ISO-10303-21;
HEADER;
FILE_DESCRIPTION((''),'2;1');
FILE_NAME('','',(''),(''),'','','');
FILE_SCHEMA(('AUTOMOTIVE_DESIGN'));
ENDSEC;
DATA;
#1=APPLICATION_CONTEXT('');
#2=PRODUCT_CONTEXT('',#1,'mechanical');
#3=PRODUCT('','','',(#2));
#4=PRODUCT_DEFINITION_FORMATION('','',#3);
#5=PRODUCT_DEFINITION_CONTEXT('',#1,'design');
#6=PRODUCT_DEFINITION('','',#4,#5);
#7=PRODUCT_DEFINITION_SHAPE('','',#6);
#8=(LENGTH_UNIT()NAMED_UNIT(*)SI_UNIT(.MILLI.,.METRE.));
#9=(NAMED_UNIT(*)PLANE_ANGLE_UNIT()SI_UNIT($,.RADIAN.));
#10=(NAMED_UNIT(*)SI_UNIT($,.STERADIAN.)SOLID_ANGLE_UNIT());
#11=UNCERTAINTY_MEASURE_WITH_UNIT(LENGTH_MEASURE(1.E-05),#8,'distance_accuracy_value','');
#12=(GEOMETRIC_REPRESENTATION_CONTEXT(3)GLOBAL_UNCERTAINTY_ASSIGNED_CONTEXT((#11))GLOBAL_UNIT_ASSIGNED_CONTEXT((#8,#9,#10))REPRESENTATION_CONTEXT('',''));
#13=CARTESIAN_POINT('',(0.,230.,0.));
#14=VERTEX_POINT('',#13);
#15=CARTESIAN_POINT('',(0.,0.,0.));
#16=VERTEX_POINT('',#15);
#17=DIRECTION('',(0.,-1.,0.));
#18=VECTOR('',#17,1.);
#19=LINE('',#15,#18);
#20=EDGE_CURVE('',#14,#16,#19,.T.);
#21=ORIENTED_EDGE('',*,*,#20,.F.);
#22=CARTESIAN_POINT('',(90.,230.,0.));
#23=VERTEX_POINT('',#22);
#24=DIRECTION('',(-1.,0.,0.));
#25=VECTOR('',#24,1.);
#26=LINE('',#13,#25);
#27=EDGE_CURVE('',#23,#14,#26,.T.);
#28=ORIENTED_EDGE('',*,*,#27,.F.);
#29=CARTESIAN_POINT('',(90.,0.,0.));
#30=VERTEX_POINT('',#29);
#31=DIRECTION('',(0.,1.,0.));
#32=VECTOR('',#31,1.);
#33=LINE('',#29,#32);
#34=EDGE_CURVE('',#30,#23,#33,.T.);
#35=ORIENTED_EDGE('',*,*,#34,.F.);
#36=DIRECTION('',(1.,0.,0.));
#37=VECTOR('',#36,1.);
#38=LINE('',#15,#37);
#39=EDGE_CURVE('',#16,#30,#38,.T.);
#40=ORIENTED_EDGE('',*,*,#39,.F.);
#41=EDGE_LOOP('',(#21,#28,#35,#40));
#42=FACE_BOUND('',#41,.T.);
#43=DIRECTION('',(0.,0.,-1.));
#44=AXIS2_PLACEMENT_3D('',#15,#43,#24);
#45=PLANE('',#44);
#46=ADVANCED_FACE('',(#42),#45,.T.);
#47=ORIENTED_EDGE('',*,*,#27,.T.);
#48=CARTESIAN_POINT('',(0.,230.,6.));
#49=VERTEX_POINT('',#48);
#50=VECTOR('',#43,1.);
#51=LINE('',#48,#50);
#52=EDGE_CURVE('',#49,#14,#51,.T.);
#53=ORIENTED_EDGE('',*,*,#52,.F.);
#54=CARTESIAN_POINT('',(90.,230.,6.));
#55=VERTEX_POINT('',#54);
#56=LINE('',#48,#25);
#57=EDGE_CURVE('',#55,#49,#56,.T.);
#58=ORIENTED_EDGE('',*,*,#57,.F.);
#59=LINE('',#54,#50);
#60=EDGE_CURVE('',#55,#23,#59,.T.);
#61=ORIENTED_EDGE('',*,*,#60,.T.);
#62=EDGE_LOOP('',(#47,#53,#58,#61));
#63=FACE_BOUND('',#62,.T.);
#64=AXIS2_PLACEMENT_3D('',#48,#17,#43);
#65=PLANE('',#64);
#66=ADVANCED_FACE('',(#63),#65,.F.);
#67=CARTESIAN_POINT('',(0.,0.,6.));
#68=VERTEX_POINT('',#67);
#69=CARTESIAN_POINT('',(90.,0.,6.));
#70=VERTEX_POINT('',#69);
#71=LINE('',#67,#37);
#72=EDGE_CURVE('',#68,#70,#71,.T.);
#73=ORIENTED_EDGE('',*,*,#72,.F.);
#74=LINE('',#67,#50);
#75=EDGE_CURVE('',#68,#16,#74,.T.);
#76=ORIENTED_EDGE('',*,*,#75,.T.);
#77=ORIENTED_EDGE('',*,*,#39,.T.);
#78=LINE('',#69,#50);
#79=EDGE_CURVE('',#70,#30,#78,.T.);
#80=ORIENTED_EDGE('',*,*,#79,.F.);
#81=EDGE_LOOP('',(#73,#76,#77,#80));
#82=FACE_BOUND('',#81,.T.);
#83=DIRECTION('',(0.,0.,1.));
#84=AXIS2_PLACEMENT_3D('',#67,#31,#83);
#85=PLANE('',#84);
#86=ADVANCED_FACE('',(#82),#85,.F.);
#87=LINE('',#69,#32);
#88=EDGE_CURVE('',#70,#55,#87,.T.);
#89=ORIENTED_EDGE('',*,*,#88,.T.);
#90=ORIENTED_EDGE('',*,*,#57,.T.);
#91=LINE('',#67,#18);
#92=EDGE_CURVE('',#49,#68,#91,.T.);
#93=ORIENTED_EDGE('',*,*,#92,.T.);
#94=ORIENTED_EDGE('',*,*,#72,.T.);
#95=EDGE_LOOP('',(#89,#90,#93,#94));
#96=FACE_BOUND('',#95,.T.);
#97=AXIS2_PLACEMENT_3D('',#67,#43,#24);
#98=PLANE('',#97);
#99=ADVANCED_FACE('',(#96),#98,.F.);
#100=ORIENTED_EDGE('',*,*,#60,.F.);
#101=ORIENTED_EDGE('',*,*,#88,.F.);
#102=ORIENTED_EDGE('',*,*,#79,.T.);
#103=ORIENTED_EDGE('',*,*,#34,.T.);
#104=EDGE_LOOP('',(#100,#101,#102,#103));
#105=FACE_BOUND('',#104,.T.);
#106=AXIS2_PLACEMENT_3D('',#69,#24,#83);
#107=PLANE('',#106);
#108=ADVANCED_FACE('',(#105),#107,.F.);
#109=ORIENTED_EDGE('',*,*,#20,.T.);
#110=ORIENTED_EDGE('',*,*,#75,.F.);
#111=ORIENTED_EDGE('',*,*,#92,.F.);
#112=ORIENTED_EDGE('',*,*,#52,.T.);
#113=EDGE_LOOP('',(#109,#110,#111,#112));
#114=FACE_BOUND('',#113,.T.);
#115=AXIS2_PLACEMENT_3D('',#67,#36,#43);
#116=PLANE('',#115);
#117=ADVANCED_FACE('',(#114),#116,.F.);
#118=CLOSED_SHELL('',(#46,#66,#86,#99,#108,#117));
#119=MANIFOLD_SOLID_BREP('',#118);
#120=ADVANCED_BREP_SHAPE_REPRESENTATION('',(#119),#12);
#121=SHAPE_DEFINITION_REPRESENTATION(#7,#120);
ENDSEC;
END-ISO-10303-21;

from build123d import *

# Parameters (mm, degrees)
SKETCH_1_W      = 90
SKETCH_1_H      = 230
EXTRUDE_1_DEPTH = 6


with BuildPart() as part:
    # 草图1 → 凸台-拉伸1 (new body)
    with BuildSketch(Plane.XY):
        with Locations((45, 115)):
            Rectangle(SKETCH_1_W, SKETCH_1_H)
    extrude(amount=EXTRUDE_1_DEPTH)


solid = part.part
